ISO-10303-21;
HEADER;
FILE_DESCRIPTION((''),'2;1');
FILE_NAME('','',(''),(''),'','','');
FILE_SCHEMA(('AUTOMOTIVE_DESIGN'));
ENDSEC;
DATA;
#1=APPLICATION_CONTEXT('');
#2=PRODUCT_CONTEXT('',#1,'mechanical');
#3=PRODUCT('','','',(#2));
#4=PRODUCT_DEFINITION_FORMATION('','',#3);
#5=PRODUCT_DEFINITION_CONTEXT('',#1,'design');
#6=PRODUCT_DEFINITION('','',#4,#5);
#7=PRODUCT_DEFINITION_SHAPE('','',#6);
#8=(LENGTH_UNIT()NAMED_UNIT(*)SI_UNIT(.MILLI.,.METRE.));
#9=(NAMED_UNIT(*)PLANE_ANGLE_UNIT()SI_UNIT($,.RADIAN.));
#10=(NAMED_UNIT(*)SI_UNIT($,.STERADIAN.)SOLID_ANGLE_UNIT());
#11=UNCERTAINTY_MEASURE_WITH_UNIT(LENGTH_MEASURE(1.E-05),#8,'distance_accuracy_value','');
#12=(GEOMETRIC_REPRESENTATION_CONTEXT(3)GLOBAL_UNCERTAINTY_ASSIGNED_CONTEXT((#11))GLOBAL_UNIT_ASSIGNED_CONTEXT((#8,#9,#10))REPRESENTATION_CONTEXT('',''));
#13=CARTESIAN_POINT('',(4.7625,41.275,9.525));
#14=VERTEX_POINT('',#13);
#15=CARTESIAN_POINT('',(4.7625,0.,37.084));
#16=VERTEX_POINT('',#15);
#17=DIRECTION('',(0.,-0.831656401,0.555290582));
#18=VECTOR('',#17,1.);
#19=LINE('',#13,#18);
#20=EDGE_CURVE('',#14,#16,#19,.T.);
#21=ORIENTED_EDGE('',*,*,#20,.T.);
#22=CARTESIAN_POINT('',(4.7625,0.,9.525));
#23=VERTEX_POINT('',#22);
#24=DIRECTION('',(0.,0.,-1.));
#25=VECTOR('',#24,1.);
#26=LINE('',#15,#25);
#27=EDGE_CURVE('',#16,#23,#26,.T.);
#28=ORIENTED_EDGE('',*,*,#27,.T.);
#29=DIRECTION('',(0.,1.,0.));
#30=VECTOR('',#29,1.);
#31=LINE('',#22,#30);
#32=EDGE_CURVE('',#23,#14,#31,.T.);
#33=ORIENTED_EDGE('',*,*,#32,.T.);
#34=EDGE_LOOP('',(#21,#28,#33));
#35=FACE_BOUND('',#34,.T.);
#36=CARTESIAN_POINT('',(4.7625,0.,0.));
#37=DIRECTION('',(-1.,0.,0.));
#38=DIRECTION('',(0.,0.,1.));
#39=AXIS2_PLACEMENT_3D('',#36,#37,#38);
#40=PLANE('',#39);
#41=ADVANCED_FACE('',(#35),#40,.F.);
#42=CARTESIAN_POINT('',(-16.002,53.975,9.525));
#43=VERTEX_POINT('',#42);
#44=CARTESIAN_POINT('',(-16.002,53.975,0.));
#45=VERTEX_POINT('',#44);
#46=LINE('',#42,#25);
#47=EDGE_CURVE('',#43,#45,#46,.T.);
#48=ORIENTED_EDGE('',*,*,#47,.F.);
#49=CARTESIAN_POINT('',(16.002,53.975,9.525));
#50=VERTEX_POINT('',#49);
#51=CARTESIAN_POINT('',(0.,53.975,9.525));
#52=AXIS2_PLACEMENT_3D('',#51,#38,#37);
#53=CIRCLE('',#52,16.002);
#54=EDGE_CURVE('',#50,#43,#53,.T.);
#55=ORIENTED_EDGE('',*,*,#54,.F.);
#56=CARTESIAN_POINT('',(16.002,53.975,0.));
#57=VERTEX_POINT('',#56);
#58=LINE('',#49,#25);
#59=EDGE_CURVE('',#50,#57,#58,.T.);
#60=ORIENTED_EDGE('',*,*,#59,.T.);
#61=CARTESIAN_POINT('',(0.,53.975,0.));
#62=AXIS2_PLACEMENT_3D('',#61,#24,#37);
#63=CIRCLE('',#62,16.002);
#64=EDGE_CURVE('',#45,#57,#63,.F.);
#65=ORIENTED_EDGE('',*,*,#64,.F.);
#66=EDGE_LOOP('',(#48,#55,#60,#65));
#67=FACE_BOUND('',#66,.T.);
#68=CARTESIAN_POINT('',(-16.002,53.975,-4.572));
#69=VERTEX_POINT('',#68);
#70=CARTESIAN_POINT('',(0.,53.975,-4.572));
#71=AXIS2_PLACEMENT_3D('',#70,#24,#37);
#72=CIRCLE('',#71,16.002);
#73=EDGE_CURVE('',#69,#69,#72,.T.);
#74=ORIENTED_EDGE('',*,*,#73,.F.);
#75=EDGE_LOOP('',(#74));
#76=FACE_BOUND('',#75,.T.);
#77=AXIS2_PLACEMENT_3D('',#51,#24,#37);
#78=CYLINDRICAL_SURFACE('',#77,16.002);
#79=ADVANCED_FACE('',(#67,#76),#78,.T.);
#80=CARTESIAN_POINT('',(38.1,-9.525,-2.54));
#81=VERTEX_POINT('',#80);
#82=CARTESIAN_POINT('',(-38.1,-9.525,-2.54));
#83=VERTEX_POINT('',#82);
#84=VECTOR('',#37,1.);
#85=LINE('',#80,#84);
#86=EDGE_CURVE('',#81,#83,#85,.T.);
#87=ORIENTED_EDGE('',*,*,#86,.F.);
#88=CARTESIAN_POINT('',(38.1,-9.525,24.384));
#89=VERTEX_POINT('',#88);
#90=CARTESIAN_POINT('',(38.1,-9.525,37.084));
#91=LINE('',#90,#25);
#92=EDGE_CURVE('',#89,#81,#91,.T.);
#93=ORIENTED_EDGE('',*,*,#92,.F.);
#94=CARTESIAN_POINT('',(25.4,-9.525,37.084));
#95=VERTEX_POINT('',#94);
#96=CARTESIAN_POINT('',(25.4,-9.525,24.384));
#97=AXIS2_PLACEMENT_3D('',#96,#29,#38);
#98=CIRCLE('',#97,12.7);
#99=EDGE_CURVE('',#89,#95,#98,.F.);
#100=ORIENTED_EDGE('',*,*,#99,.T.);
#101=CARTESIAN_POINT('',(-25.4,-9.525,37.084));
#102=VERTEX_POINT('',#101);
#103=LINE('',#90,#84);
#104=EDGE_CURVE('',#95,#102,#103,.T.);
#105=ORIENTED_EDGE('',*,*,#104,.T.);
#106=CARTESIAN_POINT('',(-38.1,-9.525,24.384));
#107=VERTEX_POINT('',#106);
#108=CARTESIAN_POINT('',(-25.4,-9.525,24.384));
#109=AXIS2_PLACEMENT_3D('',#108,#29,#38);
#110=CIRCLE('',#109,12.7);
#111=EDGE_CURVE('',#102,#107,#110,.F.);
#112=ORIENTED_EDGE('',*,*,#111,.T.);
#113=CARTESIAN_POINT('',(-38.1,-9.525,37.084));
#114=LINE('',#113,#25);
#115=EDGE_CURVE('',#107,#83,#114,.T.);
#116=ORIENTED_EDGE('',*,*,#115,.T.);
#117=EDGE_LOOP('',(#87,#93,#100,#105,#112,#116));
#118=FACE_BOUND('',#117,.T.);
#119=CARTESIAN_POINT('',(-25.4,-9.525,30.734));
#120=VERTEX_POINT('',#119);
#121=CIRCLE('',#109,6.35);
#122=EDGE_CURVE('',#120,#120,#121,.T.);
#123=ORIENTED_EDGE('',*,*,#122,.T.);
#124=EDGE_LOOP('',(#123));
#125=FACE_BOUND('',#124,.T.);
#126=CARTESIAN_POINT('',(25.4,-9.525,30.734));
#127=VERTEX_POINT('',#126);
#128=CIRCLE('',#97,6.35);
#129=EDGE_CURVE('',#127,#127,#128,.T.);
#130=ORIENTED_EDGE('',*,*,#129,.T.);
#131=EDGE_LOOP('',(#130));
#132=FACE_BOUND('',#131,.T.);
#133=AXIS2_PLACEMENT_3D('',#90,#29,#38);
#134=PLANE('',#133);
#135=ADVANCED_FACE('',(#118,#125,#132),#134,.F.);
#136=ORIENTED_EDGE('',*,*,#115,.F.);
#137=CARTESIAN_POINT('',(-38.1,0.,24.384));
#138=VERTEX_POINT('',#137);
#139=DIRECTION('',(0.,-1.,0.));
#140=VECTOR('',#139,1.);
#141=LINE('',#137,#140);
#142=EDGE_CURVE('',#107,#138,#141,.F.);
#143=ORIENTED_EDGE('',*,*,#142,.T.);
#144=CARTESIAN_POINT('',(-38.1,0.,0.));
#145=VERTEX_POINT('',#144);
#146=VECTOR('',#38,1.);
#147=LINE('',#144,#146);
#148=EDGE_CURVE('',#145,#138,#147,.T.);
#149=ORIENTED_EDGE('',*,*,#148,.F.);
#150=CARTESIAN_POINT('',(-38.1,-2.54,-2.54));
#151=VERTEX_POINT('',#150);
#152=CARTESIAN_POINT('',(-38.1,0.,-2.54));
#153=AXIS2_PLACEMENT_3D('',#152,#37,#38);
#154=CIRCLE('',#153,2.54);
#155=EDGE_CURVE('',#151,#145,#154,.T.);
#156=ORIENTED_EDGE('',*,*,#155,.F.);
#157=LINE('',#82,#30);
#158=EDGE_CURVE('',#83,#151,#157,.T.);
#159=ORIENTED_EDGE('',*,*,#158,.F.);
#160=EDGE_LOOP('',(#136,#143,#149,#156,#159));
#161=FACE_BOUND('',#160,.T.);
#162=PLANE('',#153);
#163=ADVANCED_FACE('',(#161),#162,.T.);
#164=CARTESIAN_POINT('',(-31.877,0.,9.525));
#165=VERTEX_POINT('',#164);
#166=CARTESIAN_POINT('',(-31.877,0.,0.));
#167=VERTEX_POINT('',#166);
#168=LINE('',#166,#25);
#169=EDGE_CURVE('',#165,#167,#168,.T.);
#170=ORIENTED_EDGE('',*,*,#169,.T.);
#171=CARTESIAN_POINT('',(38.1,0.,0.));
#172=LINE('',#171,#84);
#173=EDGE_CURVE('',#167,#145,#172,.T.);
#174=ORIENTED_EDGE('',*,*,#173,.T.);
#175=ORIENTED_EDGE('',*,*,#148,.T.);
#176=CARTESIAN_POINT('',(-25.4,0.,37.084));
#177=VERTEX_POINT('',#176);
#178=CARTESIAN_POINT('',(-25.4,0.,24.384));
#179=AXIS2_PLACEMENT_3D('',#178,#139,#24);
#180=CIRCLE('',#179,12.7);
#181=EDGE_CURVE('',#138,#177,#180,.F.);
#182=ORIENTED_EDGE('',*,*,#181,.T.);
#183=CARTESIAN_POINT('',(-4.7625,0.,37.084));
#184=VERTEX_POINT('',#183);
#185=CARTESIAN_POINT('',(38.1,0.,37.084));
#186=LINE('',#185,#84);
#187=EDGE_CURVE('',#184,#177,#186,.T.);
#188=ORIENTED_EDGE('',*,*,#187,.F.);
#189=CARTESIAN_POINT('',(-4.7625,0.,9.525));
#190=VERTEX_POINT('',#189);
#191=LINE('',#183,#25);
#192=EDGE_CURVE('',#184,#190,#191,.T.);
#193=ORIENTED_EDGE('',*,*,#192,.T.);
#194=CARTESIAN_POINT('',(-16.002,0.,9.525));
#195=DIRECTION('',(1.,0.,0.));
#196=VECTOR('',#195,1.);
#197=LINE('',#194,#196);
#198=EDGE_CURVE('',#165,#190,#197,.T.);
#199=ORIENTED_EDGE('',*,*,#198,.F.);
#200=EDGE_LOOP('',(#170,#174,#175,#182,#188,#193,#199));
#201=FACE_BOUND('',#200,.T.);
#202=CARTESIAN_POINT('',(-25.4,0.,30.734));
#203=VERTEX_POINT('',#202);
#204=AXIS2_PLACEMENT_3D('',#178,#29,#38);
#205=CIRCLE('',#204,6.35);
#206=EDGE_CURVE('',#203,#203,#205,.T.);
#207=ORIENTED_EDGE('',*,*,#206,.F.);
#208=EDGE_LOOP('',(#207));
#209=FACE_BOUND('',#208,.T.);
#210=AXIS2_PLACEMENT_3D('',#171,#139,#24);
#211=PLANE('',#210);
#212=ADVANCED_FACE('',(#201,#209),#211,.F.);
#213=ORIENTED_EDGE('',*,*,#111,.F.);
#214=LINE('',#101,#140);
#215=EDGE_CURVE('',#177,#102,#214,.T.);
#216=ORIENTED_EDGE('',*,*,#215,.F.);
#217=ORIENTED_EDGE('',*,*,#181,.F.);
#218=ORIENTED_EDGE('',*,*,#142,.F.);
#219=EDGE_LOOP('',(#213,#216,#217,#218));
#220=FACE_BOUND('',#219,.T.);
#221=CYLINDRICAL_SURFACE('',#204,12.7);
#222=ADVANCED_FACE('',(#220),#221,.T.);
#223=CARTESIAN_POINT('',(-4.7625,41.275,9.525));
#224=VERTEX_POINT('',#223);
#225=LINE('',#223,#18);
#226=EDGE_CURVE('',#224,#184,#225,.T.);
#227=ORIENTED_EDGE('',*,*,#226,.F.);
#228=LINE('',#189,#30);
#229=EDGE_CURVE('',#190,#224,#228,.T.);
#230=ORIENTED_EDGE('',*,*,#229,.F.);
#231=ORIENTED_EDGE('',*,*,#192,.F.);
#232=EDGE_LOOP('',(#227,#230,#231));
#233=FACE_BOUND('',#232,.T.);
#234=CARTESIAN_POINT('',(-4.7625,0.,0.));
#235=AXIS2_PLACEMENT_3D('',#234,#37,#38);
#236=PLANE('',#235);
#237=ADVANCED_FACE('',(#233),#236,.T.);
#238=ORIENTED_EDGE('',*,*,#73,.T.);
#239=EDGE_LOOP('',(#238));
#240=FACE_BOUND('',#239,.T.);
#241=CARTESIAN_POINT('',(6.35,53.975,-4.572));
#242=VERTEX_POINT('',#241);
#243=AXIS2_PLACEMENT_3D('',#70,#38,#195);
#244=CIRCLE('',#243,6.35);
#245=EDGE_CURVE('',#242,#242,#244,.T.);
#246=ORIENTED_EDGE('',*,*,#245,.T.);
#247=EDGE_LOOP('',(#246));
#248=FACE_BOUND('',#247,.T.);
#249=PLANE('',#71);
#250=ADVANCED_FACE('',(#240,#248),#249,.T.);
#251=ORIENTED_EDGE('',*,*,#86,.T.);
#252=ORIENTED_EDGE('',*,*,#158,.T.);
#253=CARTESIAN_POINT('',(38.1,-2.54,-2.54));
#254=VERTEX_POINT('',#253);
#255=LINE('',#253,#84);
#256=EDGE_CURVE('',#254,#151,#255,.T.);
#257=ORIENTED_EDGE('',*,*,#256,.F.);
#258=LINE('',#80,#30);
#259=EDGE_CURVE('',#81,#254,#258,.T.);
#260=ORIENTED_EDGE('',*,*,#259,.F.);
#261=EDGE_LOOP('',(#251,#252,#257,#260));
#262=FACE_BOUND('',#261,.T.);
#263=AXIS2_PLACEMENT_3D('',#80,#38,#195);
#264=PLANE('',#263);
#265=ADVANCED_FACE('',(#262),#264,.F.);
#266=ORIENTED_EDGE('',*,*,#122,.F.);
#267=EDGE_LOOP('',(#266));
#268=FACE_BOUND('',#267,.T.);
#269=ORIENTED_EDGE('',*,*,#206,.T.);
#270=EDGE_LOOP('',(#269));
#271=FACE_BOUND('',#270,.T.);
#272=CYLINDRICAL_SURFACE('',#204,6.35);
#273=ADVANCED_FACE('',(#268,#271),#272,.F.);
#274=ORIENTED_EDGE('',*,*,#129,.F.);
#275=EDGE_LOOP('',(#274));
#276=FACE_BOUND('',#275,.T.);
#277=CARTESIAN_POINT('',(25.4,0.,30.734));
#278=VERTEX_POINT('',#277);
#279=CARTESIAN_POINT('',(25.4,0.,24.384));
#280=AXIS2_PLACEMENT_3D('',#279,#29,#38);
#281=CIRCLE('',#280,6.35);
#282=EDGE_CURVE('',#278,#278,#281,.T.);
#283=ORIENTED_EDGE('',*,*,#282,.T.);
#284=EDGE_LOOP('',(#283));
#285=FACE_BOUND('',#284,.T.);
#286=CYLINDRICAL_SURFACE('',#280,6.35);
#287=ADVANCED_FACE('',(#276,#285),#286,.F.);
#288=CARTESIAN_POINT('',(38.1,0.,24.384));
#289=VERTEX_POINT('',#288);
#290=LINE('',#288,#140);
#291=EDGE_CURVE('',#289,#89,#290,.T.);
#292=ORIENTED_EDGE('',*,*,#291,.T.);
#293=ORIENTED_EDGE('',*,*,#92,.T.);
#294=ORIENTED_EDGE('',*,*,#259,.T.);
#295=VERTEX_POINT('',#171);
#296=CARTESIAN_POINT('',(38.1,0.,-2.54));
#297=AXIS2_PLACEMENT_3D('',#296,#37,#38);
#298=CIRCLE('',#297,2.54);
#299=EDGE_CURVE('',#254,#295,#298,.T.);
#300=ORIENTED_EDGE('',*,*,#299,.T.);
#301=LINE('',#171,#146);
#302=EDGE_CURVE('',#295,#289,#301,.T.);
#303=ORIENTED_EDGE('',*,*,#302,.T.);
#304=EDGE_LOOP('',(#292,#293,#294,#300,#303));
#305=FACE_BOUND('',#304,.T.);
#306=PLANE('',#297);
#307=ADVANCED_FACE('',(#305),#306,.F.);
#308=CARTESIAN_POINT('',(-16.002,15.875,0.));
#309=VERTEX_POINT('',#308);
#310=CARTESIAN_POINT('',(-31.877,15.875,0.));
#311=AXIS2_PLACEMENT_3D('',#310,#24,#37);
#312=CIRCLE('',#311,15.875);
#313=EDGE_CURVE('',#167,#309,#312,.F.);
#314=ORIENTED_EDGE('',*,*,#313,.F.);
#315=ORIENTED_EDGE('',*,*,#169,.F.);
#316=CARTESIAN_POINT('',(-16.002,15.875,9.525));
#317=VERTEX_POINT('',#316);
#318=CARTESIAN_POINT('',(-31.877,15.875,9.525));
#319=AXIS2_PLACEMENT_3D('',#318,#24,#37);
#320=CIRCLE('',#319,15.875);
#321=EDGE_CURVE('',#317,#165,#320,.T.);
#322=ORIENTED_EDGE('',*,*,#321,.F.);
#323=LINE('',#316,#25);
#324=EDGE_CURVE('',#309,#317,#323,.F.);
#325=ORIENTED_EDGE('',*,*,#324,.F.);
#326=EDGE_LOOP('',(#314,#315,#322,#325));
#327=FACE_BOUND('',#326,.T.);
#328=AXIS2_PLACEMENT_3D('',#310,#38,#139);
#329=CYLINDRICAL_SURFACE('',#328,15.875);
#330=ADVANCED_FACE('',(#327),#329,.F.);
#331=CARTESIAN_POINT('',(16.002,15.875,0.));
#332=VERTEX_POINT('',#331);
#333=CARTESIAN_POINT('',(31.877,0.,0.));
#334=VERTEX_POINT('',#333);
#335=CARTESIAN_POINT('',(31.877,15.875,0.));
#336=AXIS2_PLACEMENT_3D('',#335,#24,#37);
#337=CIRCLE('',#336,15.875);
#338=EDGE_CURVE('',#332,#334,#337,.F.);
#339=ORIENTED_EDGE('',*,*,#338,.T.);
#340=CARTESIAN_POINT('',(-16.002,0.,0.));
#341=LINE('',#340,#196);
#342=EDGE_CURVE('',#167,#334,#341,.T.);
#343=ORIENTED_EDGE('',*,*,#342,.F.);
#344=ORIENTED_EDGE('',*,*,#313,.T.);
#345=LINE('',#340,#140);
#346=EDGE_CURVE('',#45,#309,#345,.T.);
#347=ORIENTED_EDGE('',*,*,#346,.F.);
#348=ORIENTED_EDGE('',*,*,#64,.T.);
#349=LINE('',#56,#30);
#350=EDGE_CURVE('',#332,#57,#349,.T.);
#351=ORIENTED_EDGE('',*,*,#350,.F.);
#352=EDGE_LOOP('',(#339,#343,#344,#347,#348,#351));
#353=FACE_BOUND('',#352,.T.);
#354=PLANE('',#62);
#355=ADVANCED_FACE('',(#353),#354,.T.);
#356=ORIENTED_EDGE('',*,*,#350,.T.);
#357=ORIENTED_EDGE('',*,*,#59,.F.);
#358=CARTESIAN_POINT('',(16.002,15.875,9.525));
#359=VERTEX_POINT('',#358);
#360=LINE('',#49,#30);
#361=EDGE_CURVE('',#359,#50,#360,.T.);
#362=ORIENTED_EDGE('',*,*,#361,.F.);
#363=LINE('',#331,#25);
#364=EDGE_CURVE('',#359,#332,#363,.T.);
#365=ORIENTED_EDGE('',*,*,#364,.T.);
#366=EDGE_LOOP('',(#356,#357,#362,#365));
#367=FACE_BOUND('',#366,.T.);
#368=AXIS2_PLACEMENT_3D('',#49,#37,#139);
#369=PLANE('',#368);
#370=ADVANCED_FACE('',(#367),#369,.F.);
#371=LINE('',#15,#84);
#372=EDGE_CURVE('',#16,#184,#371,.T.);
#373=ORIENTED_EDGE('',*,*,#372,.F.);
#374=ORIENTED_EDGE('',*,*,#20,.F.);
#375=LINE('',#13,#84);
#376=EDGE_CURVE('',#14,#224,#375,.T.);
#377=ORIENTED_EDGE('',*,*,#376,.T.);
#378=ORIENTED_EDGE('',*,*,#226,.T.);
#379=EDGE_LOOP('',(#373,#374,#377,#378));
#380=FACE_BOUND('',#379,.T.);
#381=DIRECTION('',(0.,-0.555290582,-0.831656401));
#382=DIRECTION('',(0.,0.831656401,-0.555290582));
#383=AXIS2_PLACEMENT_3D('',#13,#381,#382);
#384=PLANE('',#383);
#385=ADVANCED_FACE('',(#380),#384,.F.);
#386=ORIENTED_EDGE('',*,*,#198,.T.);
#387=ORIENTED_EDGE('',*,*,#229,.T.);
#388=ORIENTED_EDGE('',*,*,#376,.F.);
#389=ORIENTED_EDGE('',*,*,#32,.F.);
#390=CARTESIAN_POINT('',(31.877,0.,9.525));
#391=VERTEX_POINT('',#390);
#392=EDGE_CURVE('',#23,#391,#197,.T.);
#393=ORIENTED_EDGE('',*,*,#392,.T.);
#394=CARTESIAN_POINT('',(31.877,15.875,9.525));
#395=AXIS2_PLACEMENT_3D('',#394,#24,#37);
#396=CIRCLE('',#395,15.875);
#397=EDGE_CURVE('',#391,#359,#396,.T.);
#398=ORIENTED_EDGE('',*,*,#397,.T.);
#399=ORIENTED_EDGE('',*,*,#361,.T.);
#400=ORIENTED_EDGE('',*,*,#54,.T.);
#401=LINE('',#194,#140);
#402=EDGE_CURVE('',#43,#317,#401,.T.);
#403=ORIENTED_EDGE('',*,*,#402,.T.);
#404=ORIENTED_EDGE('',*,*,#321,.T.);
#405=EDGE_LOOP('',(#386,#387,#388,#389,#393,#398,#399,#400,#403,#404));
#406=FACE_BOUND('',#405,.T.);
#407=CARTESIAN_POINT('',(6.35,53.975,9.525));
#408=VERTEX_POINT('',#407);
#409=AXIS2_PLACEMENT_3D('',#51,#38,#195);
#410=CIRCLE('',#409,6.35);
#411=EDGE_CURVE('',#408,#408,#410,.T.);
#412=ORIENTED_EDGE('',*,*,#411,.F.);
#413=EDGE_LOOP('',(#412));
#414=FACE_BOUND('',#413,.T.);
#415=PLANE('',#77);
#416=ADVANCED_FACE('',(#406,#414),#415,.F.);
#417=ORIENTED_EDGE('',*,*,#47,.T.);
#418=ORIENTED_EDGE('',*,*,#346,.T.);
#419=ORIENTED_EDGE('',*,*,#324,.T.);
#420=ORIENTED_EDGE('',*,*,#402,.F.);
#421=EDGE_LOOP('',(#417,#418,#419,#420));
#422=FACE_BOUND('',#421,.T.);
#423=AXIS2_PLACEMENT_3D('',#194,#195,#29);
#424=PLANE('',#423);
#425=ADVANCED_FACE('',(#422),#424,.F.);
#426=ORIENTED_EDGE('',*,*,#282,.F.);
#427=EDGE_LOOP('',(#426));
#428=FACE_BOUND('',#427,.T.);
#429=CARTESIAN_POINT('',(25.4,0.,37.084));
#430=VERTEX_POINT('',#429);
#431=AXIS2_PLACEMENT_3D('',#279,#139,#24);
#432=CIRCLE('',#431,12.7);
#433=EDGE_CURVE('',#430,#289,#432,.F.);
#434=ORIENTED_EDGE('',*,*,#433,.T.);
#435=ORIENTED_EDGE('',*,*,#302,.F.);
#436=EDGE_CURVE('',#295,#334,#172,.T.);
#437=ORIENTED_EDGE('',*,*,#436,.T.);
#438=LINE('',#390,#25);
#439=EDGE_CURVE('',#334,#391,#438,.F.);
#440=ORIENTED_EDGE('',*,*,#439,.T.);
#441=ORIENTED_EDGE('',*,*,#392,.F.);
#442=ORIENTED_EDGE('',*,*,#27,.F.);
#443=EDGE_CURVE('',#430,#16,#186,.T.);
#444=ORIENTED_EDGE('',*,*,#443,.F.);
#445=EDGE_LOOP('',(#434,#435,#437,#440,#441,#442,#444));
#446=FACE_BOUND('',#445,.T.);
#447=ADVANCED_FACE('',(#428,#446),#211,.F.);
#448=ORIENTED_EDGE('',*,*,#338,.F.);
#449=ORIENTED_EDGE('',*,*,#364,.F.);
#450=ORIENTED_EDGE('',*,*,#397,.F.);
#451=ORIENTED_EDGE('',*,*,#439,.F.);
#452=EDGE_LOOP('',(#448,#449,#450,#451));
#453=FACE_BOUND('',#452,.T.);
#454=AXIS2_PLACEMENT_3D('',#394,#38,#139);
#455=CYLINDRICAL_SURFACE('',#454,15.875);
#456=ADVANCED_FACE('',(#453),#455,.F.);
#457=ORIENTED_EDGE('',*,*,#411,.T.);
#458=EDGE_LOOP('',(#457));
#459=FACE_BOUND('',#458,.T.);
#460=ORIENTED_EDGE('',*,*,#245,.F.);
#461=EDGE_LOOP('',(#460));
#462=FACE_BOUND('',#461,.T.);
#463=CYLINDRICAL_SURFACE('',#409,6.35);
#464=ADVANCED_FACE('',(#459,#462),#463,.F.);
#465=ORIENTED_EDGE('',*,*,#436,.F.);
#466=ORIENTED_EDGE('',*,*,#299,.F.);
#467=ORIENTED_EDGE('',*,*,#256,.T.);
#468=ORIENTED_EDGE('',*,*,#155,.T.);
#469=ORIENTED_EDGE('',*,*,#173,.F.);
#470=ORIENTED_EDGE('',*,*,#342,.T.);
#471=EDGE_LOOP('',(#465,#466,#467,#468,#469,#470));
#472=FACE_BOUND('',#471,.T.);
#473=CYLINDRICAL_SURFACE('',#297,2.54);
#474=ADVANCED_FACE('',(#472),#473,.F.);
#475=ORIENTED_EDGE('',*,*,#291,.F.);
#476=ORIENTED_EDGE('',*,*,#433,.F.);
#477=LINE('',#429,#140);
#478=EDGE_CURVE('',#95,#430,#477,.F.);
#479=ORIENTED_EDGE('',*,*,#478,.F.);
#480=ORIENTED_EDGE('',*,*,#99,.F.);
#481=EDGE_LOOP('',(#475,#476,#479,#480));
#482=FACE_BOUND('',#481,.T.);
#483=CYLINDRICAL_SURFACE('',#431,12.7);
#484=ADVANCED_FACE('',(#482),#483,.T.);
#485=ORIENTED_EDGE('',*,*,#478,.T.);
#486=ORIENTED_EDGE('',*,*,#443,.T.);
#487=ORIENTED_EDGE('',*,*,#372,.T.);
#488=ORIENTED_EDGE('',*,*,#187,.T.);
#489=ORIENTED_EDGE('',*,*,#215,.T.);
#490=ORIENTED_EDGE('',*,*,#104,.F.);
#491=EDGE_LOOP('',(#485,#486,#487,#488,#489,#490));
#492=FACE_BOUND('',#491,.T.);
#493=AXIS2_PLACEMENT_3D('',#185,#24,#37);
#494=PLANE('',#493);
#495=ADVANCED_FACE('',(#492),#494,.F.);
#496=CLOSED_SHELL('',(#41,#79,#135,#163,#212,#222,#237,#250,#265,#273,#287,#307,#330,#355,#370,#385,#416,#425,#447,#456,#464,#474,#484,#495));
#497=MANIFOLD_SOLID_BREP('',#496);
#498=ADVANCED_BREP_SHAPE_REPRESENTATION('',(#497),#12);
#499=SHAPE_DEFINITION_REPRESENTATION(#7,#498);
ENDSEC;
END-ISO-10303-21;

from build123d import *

# Parameters (mm, degrees)
BOSS_EXTRUDE1_DEPTH        = 38.1
BOSS_EXTRUDE2_DEPTH        = 9.525
SKETCH3_R                  = 16.002
BOSS_EXTRUDE3_DEPTH        = 4.572
BOSS_EXTRUDE4_DEPTH        = 4.7625
FILLET1_R                  = 15.875
FILLET2_R                  = 12.7
F_1_4_0_5_DIAMETER_HOLE1_D = 12.7
F_1_4_0_5_DIAMETER_HOLE2_D = 12.7


with BuildPart() as part:
    # Sketch1 → Boss-Extrude1 (new body, symmetric)
    with BuildSketch(Plane(origin=(0, 0, 0), x_dir=(0, 0, -1), z_dir=(1, 0, 0))):
        with BuildLine():
            Line((0, 0), (-37.084, 0))
            Line((-37.084, 0), (-37.084, -9.525))
            Line((-37.084, -9.525), (2.54, -9.525))
            Line((2.54, -9.525), (2.54, -2.54))
            ThreePointArc((2.54, -2.54), (0.743948776, -1.796051224), (0, 0))
        make_face()
    extrude(amount=BOSS_EXTRUDE1_DEPTH, both=True)

    # Sketch2 → Boss-Extrude2 (add)
    with BuildSketch(Plane.XY):
        with BuildLine():
            Line((-16.002, 0), (16.002, 0))
            Line((16.002, 0), (16.002, 53.975))
            ThreePointArc((16.002, 53.975), (0, 69.977), (-16.002, 53.975))
            Line((-16.002, 53.975), (-16.002, 0))
        make_face()
    extrude(amount=BOSS_EXTRUDE2_DEPTH)

    # Sketch3 → Boss-Extrude3 (add)
    with BuildSketch(Plane(origin=(0, 0, 0), x_dir=(-1, 0, 0), z_dir=(0, 0, -1))):
        with Locations((0, 53.975)):
            Circle(SKETCH3_R)
    extrude(amount=BOSS_EXTRUDE3_DEPTH)

    # Sketch4 → Boss-Extrude4 (add, symmetric)
    with BuildSketch(Plane(origin=(0, 0, 0), x_dir=(0, 0, -1), z_dir=(1, 0, 0))):
        Polygon((-9.525, 41.275), (-37.084, 0), (-9.525, 0), align=None)
    extrude(amount=BOSS_EXTRUDE4_DEPTH, both=True)

    # Fillet1
    fillet1_edges = [part.edges().sort_by_distance(p)[0] for p in [
        (-16.002, 0, 4.7625),
        (16.002, 0, 4.7625),
    ]]
    fillet(fillet1_edges, radius=FILLET1_R)

    # Fillet2
    fillet2_edges = [part.edges().sort_by_distance(p)[0] for p in [
        (38.1, -4.7625, 37.084),
        (-38.1, -4.7625, 37.084),
    ]]
    fillet(fillet2_edges, radius=FILLET2_R)

    # 1/4 (0.5) Diameter Hole1 (through all)
    with Locations(Plane(origin=(0, 0, 0), x_dir=(1, 0, 0), z_dir=(0, 1, 0))):
        with Locations((-25.4, -24.384), (25.4, -24.384)):
            Hole(F_1_4_0_5_DIAMETER_HOLE1_D / 2)

    # 1/4 (0.5) Diameter Hole2 (through all)
    with Locations(Plane.XY.offset(9.525)):
        with Locations((0, 53.975)):
            Hole(F_1_4_0_5_DIAMETER_HOLE2_D / 2)


solid = part.part
